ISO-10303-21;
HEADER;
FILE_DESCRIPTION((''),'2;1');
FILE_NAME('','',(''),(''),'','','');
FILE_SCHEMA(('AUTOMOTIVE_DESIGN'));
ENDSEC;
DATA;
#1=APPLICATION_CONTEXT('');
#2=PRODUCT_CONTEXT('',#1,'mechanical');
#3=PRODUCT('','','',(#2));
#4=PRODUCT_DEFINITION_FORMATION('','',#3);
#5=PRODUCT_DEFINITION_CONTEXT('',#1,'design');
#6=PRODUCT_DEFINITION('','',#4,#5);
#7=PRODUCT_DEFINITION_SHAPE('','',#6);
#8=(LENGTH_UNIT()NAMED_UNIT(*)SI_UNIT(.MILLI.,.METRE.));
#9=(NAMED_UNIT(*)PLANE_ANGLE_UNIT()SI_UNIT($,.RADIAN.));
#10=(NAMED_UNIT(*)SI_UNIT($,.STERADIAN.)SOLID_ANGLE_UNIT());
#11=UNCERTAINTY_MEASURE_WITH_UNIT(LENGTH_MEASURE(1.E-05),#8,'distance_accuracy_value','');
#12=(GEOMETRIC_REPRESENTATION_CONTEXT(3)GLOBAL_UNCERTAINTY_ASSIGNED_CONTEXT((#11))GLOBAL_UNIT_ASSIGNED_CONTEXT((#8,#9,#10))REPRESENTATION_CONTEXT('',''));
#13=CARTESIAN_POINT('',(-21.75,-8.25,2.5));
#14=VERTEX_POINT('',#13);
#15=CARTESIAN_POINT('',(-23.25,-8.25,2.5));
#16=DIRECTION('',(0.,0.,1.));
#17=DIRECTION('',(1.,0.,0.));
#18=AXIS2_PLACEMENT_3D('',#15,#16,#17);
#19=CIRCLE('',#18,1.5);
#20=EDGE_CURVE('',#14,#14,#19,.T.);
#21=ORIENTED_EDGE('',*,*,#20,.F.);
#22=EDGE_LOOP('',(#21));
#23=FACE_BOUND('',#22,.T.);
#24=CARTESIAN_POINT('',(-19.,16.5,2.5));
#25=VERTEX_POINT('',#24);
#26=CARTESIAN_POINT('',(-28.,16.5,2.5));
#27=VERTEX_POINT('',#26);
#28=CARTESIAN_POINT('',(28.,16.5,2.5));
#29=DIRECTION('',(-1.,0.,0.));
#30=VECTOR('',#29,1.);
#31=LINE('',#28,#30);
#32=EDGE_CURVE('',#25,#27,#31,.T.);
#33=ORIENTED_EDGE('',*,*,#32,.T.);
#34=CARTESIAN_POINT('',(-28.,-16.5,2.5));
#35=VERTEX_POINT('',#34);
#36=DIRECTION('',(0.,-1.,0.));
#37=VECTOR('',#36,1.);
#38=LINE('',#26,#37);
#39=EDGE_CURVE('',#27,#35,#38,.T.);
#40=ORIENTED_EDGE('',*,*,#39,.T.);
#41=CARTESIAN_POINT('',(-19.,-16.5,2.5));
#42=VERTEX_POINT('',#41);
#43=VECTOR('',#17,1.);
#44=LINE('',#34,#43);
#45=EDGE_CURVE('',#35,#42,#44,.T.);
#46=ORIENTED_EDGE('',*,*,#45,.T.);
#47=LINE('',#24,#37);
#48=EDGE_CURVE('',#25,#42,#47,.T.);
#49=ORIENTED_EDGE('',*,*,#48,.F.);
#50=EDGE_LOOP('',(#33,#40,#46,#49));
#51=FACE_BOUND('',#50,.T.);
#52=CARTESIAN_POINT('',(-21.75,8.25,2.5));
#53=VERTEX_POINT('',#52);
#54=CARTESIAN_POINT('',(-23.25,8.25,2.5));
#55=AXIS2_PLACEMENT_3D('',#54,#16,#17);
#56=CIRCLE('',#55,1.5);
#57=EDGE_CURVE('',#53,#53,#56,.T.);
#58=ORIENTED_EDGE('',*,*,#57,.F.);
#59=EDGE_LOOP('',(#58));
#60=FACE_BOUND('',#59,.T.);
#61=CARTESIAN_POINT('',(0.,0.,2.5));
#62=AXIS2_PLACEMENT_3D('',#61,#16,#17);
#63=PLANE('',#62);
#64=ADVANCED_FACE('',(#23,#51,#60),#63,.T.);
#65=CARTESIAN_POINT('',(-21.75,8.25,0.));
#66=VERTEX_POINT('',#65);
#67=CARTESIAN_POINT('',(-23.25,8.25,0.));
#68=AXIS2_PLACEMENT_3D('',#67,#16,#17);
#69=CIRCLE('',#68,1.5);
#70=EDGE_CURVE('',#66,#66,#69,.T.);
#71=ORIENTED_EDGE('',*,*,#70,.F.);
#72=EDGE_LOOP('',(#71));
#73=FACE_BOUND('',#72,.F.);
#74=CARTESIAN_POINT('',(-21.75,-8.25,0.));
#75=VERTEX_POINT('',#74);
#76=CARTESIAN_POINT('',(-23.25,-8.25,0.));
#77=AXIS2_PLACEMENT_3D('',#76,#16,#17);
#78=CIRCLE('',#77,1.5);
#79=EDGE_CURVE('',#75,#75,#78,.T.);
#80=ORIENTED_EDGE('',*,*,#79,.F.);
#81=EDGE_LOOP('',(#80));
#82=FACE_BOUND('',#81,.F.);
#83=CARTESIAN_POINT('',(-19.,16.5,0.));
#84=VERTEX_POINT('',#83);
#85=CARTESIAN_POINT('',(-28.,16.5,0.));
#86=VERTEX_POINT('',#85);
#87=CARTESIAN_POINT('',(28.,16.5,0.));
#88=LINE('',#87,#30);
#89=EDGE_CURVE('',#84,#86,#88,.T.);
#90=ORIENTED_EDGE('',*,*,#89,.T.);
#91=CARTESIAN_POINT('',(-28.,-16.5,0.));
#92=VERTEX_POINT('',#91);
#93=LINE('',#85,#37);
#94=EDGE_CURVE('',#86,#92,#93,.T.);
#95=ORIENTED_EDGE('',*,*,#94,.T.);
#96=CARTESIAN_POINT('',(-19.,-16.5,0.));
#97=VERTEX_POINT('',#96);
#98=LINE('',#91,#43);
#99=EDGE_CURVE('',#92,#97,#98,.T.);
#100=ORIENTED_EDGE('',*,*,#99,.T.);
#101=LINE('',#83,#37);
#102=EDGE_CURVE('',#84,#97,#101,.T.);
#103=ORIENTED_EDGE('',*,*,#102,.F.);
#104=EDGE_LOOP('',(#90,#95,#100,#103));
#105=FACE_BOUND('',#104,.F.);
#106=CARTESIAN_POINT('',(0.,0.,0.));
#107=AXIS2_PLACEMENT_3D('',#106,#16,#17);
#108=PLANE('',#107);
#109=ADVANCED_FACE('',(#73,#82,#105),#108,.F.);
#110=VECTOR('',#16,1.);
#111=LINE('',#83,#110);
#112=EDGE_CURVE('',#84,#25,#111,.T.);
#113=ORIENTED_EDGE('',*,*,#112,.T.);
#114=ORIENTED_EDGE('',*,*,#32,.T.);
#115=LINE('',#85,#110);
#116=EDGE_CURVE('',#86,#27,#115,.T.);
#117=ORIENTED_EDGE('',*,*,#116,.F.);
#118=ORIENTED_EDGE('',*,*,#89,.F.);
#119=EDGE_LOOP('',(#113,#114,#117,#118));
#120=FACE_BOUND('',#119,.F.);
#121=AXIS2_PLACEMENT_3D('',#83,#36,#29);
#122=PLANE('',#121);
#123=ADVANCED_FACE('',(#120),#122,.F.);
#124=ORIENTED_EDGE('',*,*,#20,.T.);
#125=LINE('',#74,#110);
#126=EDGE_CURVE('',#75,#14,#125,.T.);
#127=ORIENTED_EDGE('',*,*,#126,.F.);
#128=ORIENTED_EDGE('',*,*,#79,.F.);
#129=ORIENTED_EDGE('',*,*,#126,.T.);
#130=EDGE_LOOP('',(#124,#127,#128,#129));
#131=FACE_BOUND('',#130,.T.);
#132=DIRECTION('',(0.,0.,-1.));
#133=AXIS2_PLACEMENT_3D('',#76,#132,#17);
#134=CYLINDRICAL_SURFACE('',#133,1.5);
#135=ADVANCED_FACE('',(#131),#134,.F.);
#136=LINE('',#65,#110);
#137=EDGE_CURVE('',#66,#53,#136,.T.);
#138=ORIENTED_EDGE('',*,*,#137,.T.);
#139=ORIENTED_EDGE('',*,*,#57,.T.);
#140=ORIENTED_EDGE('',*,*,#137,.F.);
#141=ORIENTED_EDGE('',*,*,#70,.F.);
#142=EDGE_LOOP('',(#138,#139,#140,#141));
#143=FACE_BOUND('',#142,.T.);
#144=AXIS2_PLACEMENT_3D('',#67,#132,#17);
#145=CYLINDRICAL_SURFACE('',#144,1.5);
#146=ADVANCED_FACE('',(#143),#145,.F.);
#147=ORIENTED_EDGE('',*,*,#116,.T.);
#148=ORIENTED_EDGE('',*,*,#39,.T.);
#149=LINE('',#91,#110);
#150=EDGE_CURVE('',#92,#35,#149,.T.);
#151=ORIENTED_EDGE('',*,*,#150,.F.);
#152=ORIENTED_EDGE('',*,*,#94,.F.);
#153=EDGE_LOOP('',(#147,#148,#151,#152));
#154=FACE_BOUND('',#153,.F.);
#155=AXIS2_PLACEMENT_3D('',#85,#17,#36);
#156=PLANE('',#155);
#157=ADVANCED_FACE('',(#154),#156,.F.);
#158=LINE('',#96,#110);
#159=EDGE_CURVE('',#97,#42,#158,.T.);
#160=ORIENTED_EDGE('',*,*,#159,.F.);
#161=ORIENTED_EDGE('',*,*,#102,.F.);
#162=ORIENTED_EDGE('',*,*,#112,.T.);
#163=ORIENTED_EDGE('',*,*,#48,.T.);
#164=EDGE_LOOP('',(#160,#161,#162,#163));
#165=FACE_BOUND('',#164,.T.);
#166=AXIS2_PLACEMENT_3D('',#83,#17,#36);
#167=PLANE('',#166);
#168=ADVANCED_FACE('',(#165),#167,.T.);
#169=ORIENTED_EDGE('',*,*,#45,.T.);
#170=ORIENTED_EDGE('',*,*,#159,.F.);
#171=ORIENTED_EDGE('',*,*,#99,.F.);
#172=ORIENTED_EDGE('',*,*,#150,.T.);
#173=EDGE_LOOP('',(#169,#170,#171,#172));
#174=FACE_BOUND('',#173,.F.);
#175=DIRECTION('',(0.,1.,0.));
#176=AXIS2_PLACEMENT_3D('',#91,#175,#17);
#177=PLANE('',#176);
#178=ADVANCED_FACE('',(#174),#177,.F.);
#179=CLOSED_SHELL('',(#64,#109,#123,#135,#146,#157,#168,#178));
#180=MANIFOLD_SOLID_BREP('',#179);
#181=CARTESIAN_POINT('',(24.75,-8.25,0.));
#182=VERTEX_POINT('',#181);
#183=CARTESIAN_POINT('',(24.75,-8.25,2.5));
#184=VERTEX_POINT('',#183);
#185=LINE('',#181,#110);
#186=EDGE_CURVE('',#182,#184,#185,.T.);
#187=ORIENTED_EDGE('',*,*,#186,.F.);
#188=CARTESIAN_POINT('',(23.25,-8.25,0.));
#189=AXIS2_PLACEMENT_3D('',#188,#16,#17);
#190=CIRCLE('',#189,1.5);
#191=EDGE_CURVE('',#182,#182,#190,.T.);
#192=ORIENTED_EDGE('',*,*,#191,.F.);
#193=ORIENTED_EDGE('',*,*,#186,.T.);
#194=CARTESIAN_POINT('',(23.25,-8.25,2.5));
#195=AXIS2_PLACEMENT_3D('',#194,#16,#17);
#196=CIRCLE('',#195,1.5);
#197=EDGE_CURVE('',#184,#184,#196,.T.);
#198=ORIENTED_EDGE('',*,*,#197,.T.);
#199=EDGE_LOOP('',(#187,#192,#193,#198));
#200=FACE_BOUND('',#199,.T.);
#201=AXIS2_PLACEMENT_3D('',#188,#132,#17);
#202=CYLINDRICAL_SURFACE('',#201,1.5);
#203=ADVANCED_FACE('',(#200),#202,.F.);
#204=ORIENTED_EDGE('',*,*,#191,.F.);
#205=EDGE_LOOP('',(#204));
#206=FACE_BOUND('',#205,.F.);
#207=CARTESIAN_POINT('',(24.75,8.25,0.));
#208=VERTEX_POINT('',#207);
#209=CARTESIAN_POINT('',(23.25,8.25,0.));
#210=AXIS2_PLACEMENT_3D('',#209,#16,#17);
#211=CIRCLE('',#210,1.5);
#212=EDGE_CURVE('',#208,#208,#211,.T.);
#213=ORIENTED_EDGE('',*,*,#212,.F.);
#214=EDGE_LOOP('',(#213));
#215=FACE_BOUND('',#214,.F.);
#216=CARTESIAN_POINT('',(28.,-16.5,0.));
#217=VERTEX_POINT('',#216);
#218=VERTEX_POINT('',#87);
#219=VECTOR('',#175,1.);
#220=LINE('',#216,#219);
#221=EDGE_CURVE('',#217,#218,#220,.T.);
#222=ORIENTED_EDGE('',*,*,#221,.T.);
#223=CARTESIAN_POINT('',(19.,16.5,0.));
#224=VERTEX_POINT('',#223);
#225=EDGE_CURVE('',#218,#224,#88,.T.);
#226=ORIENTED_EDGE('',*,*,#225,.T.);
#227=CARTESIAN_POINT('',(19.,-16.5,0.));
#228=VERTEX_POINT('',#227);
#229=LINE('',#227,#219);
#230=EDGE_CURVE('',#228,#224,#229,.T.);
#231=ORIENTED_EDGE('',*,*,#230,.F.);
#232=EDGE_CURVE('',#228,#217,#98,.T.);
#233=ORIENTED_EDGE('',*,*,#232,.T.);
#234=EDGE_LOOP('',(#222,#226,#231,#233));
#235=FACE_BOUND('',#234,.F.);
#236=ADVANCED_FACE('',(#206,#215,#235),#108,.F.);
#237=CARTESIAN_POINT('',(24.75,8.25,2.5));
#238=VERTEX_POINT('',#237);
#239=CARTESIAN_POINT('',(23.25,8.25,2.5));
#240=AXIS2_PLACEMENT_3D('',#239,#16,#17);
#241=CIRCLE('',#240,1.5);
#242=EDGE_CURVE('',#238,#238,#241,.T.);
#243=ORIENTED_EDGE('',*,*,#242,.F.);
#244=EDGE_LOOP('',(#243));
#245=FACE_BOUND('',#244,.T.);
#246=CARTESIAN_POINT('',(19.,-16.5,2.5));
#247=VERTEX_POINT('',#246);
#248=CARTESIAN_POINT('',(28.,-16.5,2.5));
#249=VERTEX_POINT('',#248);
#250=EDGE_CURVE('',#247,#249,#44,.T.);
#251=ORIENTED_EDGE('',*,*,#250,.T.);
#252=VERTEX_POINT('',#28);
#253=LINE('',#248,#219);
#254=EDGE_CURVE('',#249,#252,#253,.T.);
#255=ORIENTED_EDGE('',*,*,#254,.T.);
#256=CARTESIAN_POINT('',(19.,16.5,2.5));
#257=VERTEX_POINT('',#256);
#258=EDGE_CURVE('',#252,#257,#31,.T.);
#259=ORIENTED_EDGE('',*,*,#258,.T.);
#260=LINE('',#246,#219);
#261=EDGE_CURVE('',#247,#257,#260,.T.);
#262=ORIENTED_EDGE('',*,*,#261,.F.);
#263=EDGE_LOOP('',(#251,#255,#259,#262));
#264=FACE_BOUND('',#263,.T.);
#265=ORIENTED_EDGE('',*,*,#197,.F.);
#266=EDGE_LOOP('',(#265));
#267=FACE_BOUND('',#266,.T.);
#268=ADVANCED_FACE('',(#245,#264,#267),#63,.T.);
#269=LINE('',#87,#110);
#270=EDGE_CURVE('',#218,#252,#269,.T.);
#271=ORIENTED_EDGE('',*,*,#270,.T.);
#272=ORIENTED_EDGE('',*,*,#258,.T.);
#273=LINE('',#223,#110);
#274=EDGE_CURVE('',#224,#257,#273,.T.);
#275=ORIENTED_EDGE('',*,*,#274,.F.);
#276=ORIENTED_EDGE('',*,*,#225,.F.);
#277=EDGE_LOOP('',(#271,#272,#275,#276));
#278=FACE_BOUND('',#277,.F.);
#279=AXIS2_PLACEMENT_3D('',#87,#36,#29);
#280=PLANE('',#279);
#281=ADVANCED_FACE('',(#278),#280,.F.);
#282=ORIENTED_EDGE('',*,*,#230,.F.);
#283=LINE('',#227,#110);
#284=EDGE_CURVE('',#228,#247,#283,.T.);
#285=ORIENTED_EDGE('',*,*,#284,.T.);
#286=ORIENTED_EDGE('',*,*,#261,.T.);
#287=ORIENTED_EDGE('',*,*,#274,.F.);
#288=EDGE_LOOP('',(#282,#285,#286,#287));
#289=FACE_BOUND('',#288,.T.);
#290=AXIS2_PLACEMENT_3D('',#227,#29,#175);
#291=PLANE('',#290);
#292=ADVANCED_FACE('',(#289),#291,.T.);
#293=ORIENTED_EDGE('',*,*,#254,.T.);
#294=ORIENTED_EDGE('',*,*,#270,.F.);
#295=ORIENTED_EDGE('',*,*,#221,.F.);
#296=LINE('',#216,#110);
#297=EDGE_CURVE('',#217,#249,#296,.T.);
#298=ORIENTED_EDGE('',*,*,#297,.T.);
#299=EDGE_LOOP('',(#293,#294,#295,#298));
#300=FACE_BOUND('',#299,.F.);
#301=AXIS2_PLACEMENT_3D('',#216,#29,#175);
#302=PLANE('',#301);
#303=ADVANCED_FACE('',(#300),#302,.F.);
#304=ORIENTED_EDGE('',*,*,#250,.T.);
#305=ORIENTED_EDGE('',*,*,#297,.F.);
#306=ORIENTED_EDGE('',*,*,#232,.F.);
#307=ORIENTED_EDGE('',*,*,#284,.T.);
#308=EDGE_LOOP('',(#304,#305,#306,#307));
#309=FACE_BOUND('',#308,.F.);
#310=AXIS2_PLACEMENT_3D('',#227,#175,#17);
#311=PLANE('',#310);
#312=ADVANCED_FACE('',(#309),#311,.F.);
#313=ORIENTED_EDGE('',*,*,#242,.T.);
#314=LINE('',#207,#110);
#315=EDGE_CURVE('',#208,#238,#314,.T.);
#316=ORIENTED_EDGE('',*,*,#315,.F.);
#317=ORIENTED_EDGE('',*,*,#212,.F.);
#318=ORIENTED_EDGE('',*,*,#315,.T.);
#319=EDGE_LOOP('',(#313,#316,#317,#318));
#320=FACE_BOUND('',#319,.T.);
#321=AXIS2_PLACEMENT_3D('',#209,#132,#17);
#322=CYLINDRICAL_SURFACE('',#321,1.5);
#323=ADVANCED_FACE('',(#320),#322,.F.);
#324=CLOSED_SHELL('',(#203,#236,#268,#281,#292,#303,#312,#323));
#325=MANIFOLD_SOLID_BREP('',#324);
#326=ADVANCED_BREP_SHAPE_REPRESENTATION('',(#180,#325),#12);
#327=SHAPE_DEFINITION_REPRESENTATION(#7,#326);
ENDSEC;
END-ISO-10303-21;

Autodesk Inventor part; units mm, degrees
ref_plane "YZ Plane" through (0, 0, 0) normal (1, 0, 0) x (0, 1, 0)
ref_plane "XZ Plane" through (0, 0, 0) normal (0, 1, 0) x (-1, 0, 0)
ref_plane "XY Plane" through (0, 0, 0) normal (0, 0, 1) x (1, 0, 0)
sketch "Skizze1" plane through (0, 0, 0) normal (0, 0, 1) x (1, 0, 0)
  line L0 (-39.2, 0) -> (39.2, 0) construction
  line L1 (0, -23.1) -> (0, 23.1) construction
  line L2 (-28, -16.5) -> (28, -16.5)
  line L3 (28, -16.5) -> (28, 16.5)
  line L4 (28, 16.5) -> (-28, 16.5)
  line L5 (-28, 16.5) -> (-28, -16.5)
  line L6 (-28, -16.5) -> (28, 16.5) construction
  line L7 (28, -16.5) -> (-28, 16.5) construction
  line L8 (-19, -16.5) -> (19, -16.5)
  line L9 (19, -16.5) -> (19, 16.5)
  line L10 (19, 16.5) -> (-19, 16.5)
  line L11 (-19, 16.5) -> (-19, -16.5)
  line L12 (-19, -16.5) -> (19, 16.5) construction
  line L13 (19, -16.5) -> (-19, 16.5) construction
  line L14 (-26.75, -16.5) -> (26.75, -16.5) construction
  line L15 (26.75, -16.5) -> (26.75, 16.5) construction
  line L16 (26.75, 16.5) -> (-26.75, 16.5) construction
  line L17 (-26.75, 16.5) -> (-26.75, -16.5) construction
  line L18 (-26.75, -16.5) -> (26.75, 16.5) construction
  line L19 (26.75, -16.5) -> (-26.75, 16.5) construction
  circle A0 centre (-23.25, -8.25) radius 1.5
  circle A1 centre (23.25, -8.25) radius 1.5
  circle A2 centre (-23.25, 8.25) radius 1.5
  circle A3 centre (23.25, 8.25) radius 1.5
  point P0 (0, 0)
  dimension "d0" = 56
  dimension "d1" = 33
  dimension "d2" = 38
  dimension "d3" = 33
  dimension "d6" = 53.5
  dimension "d7" = 3
  dimension "d10" = 23.25
  dimension "d11" = 8.25
extrude "Extrusion1" add sketch "Skizze1" along normal blind 2.5 contours L5 L4 L11 L2 | L9 L4 L3 L2
properties part number "LC_mirror_holder_back"
